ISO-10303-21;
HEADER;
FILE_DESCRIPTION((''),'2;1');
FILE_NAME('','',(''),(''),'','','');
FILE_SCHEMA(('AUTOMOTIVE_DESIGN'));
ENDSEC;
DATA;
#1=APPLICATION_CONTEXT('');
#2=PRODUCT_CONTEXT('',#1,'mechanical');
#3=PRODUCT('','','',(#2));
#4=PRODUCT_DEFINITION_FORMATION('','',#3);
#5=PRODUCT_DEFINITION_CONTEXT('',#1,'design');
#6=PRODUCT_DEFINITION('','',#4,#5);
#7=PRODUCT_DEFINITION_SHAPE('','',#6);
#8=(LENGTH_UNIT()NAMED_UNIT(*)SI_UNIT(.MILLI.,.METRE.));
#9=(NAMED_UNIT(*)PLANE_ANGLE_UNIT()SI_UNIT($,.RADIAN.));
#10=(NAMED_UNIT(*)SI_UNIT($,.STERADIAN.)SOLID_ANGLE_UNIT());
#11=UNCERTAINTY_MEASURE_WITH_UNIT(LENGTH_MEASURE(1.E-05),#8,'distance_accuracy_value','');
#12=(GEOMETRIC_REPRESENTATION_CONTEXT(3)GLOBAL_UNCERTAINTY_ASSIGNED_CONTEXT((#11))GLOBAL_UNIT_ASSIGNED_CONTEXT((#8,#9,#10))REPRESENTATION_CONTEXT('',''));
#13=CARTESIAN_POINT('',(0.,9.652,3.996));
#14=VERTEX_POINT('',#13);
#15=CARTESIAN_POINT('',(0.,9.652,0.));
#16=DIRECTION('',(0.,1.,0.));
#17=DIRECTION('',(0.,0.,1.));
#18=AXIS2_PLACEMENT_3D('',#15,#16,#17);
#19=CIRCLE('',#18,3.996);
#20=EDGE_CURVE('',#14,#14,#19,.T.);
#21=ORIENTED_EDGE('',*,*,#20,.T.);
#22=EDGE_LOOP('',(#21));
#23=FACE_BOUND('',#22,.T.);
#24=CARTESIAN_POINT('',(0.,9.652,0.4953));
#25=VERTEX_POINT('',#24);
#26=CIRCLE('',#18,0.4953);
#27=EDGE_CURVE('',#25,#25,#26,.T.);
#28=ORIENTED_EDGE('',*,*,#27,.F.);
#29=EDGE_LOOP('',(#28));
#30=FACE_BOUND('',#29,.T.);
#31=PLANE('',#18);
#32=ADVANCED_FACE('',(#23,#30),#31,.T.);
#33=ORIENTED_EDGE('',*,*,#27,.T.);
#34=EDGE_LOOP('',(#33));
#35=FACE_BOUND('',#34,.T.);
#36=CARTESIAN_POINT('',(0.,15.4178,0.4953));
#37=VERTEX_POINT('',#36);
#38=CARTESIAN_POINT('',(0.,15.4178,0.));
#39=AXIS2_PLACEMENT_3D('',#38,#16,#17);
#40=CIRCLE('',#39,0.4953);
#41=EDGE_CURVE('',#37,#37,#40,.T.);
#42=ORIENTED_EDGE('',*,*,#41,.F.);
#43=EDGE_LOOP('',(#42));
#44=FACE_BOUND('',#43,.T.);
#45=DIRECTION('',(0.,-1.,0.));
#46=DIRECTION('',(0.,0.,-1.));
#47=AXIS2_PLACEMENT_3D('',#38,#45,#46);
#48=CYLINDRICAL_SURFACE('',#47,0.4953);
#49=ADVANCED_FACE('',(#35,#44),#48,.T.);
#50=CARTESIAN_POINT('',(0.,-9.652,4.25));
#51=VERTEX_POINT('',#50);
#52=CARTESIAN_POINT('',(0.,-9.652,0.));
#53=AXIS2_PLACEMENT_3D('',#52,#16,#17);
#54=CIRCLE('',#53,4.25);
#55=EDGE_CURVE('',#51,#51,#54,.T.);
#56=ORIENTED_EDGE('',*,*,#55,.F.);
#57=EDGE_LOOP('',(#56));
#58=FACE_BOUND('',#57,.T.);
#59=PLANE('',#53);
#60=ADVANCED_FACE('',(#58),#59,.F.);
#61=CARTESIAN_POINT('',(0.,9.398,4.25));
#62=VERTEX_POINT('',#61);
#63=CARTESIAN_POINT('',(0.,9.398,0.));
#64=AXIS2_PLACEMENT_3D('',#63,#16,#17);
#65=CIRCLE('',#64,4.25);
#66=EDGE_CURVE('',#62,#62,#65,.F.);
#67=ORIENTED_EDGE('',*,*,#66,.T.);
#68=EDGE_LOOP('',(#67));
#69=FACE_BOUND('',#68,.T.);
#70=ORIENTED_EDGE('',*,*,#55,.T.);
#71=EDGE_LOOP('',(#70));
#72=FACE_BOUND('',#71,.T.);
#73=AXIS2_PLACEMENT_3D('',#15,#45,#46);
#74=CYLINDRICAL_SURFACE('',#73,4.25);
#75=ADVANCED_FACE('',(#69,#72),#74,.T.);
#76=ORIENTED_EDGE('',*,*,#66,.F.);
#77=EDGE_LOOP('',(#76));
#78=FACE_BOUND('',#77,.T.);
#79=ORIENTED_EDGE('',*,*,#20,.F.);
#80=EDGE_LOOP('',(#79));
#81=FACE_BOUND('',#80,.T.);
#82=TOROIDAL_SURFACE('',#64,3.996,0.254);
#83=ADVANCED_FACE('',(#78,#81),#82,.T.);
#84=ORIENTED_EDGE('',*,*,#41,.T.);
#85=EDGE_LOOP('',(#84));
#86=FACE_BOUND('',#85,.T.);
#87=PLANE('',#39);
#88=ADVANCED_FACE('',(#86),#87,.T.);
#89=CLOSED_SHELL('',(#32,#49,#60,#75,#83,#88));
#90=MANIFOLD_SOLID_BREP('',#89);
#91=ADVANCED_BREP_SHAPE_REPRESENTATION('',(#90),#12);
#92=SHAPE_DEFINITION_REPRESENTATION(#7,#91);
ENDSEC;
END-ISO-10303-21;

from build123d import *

# Parameters (mm, degrees)
SKETCH1_R           = 4.25
BOSS_EXTRUDE1_DEPTH = 9.652
SKETCH2_R           = 0.4953
BOSS_EXTRUDE2_DEPTH = 5.7658
FILLET1_R           = 0.254


with BuildPart() as part:
    # Sketch1 → Boss-Extrude1 (new body, symmetric)
    with BuildSketch(Plane(origin=(0, 0, 0), x_dir=(1, 0, 0), z_dir=(0, 1, 0))):
        Circle(SKETCH1_R)
    extrude(amount=BOSS_EXTRUDE1_DEPTH, both=True)

    # Sketch2 → Boss-Extrude2 (add)
    with BuildSketch(Plane(origin=(0, 9.652, 0), x_dir=(1, 0, 0), z_dir=(0, 1, 0))):
        Circle(SKETCH2_R)
    extrude(amount=BOSS_EXTRUDE2_DEPTH)

    # Fillet1
    fillet1_edges = [part.edges().sort_by_distance(p)[0] for p in [
        (-4.25, 9.652, 0),
    ]]
    fillet(fillet1_edges, radius=FILLET1_R)


solid = part.part
